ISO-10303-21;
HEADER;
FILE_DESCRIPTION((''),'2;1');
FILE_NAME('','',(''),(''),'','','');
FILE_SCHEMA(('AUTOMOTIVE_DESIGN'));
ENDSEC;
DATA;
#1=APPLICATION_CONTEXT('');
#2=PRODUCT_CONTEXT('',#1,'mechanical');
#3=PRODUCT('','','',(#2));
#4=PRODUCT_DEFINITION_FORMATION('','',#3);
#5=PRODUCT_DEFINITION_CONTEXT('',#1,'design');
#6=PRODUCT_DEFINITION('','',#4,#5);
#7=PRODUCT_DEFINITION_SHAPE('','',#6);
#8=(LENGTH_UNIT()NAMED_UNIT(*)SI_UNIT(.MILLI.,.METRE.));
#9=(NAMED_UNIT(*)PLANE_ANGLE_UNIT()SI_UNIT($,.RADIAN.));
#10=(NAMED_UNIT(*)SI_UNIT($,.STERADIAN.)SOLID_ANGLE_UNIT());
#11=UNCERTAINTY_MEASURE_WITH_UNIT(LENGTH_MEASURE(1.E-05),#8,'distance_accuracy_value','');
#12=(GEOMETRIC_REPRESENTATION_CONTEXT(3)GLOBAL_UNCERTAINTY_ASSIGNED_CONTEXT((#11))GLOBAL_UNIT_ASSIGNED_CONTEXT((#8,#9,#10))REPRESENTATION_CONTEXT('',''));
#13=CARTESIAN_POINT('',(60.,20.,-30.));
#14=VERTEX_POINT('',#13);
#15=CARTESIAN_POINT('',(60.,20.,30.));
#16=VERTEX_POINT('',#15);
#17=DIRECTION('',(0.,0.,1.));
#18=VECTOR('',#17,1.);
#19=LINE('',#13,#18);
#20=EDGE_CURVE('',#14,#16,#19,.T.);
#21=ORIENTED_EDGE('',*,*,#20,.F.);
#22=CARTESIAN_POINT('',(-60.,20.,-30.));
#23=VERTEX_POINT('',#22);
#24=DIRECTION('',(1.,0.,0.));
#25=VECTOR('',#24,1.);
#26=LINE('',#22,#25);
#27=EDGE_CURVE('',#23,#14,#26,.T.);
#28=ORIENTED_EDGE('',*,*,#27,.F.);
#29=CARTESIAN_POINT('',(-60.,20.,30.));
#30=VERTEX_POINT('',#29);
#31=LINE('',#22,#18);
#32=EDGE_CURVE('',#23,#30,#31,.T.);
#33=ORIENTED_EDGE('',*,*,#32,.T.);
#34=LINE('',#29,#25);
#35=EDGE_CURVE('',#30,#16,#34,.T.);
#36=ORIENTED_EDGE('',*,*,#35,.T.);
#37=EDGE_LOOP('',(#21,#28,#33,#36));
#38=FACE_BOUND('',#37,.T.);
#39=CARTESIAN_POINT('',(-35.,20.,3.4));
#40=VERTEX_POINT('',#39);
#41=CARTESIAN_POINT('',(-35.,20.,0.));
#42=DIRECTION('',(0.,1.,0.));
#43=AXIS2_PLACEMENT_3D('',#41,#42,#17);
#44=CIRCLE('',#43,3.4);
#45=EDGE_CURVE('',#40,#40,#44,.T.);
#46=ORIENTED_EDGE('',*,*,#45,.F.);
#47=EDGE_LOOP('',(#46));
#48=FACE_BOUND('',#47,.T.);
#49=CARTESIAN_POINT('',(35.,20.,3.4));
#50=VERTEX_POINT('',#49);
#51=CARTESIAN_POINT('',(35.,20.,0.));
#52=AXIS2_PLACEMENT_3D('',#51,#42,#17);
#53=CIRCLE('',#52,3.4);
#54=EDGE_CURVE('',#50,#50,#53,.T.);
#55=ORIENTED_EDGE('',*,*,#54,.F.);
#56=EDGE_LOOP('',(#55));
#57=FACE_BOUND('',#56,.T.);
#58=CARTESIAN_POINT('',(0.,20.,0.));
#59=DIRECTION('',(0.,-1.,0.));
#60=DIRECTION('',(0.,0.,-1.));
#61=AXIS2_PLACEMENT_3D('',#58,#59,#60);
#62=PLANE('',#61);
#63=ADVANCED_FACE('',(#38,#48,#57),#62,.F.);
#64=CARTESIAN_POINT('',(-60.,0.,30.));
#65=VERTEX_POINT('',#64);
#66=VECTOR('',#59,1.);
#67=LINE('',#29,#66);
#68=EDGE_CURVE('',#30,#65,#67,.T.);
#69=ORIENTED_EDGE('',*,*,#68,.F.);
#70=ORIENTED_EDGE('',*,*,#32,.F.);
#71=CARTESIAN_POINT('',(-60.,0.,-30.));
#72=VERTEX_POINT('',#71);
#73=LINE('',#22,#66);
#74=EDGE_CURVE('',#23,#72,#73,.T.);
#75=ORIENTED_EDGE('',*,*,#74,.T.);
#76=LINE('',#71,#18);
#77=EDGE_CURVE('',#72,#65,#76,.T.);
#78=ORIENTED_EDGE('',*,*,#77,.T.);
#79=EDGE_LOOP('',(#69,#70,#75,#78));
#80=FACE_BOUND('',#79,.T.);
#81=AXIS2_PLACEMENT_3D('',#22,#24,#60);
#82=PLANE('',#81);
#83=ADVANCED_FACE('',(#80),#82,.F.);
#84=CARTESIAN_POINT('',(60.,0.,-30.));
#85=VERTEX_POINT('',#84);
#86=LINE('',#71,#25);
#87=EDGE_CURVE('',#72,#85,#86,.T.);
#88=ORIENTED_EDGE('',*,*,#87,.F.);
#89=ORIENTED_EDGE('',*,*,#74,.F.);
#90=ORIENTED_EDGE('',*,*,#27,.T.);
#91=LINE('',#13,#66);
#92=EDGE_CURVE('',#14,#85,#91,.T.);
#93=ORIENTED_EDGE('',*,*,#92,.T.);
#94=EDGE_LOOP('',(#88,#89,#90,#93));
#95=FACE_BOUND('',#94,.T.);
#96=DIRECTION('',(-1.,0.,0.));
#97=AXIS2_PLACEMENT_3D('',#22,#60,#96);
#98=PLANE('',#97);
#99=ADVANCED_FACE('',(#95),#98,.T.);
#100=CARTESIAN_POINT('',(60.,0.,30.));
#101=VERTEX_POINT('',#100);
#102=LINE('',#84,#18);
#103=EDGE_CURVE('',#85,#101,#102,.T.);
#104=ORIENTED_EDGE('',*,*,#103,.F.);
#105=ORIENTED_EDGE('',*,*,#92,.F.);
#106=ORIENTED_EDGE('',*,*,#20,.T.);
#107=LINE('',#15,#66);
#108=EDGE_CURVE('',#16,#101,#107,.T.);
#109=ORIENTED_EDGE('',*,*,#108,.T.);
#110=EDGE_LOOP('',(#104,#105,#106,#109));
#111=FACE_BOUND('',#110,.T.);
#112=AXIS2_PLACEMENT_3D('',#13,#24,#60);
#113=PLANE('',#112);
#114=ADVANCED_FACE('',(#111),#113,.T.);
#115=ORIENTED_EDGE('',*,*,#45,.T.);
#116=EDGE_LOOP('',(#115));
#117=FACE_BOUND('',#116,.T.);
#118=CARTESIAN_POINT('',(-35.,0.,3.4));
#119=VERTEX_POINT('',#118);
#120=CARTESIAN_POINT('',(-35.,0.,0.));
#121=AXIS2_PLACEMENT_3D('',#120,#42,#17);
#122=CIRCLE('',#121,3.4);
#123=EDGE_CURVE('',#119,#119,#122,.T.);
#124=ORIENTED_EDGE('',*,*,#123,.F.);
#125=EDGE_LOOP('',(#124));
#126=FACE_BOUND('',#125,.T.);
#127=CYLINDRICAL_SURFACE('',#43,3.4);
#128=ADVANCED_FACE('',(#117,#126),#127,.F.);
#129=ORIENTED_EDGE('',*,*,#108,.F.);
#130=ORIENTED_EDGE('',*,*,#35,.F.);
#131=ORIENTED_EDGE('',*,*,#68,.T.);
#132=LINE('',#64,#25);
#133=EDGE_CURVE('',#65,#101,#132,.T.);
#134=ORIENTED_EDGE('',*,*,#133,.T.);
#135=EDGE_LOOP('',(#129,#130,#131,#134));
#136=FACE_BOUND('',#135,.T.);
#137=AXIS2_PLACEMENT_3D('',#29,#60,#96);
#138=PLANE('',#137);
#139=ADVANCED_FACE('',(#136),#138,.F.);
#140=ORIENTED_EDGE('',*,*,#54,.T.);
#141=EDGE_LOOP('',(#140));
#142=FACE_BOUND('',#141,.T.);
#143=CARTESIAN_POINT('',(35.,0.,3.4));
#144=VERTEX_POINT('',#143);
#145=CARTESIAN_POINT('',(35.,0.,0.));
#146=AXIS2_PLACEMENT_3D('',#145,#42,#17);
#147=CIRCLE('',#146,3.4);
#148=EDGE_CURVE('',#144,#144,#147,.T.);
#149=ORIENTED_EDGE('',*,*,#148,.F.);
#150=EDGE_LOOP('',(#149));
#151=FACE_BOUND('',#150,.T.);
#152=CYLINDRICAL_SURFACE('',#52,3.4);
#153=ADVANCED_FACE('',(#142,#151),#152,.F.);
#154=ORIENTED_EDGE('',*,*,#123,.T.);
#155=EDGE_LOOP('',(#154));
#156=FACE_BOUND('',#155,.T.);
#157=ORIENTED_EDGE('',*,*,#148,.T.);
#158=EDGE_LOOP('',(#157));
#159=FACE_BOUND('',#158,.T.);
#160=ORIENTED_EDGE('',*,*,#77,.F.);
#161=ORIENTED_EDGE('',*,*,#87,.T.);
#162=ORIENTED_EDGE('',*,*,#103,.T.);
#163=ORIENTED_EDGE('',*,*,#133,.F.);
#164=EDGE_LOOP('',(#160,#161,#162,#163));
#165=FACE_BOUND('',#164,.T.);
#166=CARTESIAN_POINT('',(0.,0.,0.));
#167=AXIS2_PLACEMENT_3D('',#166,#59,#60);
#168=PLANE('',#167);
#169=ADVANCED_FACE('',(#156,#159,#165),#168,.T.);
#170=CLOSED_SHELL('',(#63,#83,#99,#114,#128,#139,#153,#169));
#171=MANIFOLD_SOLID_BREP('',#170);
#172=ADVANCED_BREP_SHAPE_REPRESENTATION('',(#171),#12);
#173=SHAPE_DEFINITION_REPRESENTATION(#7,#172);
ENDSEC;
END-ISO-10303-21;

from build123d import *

# Parameters (mm, degrees)
SKETCH1_W           = 120
SKETCH1_H           = 60
BOSS_EXTRUDE1_DEPTH = 20
M8_TAPPED_HOLE2_D   = 6.8


with BuildPart() as part:
    # Sketch1 → Boss-Extrude1 (new body)
    with BuildSketch(Plane(origin=(0, 0, 0), x_dir=(1, 0, 0), z_dir=(0, 1, 0))):
        Rectangle(SKETCH1_W, SKETCH1_H)
    extrude(amount=BOSS_EXTRUDE1_DEPTH)

    # M8 Tapped Hole2 (through all)
    with Locations(Plane(origin=(-35, 20, 0), x_dir=(0, 0, 1), z_dir=(0, 1, 0))):
        with Locations((0, 0), (0, 70)):
            Hole(M8_TAPPED_HOLE2_D / 2)


solid = part.part
